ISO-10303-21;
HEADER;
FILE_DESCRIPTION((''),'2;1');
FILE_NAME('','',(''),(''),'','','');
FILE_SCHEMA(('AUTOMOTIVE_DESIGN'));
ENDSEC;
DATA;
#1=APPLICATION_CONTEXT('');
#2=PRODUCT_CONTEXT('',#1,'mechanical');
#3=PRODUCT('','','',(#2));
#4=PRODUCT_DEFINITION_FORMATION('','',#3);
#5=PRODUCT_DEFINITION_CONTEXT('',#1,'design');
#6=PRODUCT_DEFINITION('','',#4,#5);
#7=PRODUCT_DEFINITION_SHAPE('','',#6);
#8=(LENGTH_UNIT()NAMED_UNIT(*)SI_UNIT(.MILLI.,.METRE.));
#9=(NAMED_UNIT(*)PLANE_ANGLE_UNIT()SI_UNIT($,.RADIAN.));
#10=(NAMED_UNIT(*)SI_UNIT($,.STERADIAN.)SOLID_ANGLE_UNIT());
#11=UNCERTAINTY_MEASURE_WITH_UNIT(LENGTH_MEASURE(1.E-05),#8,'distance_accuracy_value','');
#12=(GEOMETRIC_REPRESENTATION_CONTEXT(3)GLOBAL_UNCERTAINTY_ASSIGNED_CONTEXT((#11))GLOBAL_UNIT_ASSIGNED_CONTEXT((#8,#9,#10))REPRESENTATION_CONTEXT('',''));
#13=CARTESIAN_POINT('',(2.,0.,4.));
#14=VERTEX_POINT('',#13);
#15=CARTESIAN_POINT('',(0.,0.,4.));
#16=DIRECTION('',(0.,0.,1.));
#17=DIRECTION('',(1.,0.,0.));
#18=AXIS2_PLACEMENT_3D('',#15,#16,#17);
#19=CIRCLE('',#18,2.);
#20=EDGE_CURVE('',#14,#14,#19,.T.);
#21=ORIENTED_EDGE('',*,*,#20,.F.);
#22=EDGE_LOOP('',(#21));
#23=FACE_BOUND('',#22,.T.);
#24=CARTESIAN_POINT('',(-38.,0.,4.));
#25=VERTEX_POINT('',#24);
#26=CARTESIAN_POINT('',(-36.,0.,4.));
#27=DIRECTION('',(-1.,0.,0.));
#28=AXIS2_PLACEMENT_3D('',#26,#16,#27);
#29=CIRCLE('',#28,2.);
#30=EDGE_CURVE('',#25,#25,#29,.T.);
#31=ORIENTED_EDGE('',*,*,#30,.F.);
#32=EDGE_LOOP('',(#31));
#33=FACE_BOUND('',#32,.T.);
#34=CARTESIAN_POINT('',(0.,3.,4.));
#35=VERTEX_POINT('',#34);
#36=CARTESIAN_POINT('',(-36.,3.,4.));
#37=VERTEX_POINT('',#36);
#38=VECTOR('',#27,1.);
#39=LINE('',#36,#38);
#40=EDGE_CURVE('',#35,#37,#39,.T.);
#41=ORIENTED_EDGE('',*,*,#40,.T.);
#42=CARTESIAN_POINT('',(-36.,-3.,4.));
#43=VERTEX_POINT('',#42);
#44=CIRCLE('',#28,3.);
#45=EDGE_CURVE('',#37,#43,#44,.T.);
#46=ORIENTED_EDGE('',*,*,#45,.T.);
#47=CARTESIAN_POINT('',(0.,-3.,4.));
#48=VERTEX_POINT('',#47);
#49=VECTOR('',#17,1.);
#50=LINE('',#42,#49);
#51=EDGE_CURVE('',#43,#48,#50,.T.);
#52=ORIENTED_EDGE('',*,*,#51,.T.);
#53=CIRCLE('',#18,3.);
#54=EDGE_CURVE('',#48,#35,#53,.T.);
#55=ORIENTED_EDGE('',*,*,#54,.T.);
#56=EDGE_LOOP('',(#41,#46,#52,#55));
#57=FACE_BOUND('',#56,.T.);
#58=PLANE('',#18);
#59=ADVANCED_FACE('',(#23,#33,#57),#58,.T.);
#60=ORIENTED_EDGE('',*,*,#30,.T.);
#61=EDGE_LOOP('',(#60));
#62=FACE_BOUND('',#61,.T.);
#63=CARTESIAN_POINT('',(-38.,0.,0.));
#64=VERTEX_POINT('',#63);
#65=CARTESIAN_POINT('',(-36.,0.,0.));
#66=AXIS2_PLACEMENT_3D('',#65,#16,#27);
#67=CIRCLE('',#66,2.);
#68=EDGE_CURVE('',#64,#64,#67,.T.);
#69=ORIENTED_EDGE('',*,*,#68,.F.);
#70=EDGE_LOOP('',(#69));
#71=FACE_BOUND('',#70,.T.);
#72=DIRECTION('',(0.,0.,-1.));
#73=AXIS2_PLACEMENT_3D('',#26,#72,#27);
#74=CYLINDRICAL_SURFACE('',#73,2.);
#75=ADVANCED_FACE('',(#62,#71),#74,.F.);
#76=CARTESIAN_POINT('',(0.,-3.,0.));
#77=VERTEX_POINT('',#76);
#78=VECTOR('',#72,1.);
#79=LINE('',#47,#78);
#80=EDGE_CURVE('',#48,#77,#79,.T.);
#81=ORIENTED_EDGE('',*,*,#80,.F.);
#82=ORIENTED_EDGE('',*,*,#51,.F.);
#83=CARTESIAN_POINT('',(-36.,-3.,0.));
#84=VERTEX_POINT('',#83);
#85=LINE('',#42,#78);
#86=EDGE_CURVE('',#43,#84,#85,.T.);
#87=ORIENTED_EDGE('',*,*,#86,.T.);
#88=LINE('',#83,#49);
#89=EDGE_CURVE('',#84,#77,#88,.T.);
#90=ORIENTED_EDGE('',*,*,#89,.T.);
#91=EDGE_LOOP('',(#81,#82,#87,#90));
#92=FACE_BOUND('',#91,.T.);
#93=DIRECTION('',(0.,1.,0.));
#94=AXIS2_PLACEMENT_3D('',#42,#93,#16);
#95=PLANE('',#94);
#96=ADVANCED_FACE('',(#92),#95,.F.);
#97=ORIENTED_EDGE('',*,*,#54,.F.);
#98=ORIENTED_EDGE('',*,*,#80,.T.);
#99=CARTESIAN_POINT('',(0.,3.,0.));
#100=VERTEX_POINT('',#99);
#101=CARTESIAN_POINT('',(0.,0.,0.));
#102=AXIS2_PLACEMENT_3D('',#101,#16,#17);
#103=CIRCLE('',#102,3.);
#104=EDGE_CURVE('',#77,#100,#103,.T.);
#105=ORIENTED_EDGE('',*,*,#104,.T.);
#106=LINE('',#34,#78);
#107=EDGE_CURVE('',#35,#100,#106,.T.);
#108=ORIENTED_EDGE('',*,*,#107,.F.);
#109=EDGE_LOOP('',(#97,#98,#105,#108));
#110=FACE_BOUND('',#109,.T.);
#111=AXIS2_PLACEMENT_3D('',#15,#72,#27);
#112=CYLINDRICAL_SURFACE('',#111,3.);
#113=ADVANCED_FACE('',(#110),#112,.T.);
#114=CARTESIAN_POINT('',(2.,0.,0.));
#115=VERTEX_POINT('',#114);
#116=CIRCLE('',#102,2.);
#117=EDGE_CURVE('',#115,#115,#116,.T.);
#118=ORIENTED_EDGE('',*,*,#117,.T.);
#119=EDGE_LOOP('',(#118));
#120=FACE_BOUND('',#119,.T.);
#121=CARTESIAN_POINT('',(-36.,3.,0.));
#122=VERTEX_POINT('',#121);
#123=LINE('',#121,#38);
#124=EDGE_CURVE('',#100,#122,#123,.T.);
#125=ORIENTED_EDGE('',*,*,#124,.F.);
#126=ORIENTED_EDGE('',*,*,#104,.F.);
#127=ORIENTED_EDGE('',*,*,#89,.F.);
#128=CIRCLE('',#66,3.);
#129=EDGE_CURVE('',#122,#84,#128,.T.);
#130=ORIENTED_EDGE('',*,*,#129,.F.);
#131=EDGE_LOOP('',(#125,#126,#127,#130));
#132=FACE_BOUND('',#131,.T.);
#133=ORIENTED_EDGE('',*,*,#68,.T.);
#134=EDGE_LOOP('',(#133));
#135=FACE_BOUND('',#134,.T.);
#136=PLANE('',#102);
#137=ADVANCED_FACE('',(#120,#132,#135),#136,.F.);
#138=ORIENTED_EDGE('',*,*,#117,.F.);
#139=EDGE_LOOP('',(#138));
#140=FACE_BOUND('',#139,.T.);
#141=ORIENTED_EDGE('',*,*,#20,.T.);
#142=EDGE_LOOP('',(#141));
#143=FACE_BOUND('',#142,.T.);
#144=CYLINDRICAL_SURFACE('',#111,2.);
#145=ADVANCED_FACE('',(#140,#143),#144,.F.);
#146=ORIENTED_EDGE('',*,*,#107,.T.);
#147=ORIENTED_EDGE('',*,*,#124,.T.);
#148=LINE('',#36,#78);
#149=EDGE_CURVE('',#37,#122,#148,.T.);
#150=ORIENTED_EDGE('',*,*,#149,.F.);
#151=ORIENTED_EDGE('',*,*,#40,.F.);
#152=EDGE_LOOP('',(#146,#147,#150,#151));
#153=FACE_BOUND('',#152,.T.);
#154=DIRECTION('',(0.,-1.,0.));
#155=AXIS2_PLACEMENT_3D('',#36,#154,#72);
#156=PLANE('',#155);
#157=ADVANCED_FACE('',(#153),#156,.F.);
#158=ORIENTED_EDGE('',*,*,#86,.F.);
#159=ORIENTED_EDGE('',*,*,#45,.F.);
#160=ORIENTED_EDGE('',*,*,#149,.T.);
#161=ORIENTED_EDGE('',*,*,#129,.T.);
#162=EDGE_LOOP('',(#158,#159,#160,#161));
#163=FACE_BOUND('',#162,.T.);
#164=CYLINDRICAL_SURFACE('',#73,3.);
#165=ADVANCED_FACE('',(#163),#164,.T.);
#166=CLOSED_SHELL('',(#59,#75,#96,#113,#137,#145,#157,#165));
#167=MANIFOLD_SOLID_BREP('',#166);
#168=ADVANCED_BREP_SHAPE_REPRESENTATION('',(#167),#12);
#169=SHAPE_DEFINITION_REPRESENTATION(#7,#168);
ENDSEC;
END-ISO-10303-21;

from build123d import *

# Parameters (mm, degrees)
SKETCH1_R           = 2
BOSS_EXTRUDE1_DEPTH = 4


with BuildPart() as part:
    # Sketch1 → Boss-Extrude1 (new body)
    with BuildSketch(Plane.XY):
        with BuildLine():
            Line((-36, 3), (0, 3))
            ThreePointArc((0, 3), (3, 0), (0, -3))
            Line((0, -3), (-36, -3))
            ThreePointArc((-36, -3), (-39, 0), (-36, 3))
        make_face()
        Circle(SKETCH1_R, mode=Mode.SUBTRACT)
        with Locations(Location((-36, 0, 0), (0, 0, 180))):
            Circle(SKETCH1_R, mode=Mode.SUBTRACT)
    extrude(amount=BOSS_EXTRUDE1_DEPTH)


solid = part.part
